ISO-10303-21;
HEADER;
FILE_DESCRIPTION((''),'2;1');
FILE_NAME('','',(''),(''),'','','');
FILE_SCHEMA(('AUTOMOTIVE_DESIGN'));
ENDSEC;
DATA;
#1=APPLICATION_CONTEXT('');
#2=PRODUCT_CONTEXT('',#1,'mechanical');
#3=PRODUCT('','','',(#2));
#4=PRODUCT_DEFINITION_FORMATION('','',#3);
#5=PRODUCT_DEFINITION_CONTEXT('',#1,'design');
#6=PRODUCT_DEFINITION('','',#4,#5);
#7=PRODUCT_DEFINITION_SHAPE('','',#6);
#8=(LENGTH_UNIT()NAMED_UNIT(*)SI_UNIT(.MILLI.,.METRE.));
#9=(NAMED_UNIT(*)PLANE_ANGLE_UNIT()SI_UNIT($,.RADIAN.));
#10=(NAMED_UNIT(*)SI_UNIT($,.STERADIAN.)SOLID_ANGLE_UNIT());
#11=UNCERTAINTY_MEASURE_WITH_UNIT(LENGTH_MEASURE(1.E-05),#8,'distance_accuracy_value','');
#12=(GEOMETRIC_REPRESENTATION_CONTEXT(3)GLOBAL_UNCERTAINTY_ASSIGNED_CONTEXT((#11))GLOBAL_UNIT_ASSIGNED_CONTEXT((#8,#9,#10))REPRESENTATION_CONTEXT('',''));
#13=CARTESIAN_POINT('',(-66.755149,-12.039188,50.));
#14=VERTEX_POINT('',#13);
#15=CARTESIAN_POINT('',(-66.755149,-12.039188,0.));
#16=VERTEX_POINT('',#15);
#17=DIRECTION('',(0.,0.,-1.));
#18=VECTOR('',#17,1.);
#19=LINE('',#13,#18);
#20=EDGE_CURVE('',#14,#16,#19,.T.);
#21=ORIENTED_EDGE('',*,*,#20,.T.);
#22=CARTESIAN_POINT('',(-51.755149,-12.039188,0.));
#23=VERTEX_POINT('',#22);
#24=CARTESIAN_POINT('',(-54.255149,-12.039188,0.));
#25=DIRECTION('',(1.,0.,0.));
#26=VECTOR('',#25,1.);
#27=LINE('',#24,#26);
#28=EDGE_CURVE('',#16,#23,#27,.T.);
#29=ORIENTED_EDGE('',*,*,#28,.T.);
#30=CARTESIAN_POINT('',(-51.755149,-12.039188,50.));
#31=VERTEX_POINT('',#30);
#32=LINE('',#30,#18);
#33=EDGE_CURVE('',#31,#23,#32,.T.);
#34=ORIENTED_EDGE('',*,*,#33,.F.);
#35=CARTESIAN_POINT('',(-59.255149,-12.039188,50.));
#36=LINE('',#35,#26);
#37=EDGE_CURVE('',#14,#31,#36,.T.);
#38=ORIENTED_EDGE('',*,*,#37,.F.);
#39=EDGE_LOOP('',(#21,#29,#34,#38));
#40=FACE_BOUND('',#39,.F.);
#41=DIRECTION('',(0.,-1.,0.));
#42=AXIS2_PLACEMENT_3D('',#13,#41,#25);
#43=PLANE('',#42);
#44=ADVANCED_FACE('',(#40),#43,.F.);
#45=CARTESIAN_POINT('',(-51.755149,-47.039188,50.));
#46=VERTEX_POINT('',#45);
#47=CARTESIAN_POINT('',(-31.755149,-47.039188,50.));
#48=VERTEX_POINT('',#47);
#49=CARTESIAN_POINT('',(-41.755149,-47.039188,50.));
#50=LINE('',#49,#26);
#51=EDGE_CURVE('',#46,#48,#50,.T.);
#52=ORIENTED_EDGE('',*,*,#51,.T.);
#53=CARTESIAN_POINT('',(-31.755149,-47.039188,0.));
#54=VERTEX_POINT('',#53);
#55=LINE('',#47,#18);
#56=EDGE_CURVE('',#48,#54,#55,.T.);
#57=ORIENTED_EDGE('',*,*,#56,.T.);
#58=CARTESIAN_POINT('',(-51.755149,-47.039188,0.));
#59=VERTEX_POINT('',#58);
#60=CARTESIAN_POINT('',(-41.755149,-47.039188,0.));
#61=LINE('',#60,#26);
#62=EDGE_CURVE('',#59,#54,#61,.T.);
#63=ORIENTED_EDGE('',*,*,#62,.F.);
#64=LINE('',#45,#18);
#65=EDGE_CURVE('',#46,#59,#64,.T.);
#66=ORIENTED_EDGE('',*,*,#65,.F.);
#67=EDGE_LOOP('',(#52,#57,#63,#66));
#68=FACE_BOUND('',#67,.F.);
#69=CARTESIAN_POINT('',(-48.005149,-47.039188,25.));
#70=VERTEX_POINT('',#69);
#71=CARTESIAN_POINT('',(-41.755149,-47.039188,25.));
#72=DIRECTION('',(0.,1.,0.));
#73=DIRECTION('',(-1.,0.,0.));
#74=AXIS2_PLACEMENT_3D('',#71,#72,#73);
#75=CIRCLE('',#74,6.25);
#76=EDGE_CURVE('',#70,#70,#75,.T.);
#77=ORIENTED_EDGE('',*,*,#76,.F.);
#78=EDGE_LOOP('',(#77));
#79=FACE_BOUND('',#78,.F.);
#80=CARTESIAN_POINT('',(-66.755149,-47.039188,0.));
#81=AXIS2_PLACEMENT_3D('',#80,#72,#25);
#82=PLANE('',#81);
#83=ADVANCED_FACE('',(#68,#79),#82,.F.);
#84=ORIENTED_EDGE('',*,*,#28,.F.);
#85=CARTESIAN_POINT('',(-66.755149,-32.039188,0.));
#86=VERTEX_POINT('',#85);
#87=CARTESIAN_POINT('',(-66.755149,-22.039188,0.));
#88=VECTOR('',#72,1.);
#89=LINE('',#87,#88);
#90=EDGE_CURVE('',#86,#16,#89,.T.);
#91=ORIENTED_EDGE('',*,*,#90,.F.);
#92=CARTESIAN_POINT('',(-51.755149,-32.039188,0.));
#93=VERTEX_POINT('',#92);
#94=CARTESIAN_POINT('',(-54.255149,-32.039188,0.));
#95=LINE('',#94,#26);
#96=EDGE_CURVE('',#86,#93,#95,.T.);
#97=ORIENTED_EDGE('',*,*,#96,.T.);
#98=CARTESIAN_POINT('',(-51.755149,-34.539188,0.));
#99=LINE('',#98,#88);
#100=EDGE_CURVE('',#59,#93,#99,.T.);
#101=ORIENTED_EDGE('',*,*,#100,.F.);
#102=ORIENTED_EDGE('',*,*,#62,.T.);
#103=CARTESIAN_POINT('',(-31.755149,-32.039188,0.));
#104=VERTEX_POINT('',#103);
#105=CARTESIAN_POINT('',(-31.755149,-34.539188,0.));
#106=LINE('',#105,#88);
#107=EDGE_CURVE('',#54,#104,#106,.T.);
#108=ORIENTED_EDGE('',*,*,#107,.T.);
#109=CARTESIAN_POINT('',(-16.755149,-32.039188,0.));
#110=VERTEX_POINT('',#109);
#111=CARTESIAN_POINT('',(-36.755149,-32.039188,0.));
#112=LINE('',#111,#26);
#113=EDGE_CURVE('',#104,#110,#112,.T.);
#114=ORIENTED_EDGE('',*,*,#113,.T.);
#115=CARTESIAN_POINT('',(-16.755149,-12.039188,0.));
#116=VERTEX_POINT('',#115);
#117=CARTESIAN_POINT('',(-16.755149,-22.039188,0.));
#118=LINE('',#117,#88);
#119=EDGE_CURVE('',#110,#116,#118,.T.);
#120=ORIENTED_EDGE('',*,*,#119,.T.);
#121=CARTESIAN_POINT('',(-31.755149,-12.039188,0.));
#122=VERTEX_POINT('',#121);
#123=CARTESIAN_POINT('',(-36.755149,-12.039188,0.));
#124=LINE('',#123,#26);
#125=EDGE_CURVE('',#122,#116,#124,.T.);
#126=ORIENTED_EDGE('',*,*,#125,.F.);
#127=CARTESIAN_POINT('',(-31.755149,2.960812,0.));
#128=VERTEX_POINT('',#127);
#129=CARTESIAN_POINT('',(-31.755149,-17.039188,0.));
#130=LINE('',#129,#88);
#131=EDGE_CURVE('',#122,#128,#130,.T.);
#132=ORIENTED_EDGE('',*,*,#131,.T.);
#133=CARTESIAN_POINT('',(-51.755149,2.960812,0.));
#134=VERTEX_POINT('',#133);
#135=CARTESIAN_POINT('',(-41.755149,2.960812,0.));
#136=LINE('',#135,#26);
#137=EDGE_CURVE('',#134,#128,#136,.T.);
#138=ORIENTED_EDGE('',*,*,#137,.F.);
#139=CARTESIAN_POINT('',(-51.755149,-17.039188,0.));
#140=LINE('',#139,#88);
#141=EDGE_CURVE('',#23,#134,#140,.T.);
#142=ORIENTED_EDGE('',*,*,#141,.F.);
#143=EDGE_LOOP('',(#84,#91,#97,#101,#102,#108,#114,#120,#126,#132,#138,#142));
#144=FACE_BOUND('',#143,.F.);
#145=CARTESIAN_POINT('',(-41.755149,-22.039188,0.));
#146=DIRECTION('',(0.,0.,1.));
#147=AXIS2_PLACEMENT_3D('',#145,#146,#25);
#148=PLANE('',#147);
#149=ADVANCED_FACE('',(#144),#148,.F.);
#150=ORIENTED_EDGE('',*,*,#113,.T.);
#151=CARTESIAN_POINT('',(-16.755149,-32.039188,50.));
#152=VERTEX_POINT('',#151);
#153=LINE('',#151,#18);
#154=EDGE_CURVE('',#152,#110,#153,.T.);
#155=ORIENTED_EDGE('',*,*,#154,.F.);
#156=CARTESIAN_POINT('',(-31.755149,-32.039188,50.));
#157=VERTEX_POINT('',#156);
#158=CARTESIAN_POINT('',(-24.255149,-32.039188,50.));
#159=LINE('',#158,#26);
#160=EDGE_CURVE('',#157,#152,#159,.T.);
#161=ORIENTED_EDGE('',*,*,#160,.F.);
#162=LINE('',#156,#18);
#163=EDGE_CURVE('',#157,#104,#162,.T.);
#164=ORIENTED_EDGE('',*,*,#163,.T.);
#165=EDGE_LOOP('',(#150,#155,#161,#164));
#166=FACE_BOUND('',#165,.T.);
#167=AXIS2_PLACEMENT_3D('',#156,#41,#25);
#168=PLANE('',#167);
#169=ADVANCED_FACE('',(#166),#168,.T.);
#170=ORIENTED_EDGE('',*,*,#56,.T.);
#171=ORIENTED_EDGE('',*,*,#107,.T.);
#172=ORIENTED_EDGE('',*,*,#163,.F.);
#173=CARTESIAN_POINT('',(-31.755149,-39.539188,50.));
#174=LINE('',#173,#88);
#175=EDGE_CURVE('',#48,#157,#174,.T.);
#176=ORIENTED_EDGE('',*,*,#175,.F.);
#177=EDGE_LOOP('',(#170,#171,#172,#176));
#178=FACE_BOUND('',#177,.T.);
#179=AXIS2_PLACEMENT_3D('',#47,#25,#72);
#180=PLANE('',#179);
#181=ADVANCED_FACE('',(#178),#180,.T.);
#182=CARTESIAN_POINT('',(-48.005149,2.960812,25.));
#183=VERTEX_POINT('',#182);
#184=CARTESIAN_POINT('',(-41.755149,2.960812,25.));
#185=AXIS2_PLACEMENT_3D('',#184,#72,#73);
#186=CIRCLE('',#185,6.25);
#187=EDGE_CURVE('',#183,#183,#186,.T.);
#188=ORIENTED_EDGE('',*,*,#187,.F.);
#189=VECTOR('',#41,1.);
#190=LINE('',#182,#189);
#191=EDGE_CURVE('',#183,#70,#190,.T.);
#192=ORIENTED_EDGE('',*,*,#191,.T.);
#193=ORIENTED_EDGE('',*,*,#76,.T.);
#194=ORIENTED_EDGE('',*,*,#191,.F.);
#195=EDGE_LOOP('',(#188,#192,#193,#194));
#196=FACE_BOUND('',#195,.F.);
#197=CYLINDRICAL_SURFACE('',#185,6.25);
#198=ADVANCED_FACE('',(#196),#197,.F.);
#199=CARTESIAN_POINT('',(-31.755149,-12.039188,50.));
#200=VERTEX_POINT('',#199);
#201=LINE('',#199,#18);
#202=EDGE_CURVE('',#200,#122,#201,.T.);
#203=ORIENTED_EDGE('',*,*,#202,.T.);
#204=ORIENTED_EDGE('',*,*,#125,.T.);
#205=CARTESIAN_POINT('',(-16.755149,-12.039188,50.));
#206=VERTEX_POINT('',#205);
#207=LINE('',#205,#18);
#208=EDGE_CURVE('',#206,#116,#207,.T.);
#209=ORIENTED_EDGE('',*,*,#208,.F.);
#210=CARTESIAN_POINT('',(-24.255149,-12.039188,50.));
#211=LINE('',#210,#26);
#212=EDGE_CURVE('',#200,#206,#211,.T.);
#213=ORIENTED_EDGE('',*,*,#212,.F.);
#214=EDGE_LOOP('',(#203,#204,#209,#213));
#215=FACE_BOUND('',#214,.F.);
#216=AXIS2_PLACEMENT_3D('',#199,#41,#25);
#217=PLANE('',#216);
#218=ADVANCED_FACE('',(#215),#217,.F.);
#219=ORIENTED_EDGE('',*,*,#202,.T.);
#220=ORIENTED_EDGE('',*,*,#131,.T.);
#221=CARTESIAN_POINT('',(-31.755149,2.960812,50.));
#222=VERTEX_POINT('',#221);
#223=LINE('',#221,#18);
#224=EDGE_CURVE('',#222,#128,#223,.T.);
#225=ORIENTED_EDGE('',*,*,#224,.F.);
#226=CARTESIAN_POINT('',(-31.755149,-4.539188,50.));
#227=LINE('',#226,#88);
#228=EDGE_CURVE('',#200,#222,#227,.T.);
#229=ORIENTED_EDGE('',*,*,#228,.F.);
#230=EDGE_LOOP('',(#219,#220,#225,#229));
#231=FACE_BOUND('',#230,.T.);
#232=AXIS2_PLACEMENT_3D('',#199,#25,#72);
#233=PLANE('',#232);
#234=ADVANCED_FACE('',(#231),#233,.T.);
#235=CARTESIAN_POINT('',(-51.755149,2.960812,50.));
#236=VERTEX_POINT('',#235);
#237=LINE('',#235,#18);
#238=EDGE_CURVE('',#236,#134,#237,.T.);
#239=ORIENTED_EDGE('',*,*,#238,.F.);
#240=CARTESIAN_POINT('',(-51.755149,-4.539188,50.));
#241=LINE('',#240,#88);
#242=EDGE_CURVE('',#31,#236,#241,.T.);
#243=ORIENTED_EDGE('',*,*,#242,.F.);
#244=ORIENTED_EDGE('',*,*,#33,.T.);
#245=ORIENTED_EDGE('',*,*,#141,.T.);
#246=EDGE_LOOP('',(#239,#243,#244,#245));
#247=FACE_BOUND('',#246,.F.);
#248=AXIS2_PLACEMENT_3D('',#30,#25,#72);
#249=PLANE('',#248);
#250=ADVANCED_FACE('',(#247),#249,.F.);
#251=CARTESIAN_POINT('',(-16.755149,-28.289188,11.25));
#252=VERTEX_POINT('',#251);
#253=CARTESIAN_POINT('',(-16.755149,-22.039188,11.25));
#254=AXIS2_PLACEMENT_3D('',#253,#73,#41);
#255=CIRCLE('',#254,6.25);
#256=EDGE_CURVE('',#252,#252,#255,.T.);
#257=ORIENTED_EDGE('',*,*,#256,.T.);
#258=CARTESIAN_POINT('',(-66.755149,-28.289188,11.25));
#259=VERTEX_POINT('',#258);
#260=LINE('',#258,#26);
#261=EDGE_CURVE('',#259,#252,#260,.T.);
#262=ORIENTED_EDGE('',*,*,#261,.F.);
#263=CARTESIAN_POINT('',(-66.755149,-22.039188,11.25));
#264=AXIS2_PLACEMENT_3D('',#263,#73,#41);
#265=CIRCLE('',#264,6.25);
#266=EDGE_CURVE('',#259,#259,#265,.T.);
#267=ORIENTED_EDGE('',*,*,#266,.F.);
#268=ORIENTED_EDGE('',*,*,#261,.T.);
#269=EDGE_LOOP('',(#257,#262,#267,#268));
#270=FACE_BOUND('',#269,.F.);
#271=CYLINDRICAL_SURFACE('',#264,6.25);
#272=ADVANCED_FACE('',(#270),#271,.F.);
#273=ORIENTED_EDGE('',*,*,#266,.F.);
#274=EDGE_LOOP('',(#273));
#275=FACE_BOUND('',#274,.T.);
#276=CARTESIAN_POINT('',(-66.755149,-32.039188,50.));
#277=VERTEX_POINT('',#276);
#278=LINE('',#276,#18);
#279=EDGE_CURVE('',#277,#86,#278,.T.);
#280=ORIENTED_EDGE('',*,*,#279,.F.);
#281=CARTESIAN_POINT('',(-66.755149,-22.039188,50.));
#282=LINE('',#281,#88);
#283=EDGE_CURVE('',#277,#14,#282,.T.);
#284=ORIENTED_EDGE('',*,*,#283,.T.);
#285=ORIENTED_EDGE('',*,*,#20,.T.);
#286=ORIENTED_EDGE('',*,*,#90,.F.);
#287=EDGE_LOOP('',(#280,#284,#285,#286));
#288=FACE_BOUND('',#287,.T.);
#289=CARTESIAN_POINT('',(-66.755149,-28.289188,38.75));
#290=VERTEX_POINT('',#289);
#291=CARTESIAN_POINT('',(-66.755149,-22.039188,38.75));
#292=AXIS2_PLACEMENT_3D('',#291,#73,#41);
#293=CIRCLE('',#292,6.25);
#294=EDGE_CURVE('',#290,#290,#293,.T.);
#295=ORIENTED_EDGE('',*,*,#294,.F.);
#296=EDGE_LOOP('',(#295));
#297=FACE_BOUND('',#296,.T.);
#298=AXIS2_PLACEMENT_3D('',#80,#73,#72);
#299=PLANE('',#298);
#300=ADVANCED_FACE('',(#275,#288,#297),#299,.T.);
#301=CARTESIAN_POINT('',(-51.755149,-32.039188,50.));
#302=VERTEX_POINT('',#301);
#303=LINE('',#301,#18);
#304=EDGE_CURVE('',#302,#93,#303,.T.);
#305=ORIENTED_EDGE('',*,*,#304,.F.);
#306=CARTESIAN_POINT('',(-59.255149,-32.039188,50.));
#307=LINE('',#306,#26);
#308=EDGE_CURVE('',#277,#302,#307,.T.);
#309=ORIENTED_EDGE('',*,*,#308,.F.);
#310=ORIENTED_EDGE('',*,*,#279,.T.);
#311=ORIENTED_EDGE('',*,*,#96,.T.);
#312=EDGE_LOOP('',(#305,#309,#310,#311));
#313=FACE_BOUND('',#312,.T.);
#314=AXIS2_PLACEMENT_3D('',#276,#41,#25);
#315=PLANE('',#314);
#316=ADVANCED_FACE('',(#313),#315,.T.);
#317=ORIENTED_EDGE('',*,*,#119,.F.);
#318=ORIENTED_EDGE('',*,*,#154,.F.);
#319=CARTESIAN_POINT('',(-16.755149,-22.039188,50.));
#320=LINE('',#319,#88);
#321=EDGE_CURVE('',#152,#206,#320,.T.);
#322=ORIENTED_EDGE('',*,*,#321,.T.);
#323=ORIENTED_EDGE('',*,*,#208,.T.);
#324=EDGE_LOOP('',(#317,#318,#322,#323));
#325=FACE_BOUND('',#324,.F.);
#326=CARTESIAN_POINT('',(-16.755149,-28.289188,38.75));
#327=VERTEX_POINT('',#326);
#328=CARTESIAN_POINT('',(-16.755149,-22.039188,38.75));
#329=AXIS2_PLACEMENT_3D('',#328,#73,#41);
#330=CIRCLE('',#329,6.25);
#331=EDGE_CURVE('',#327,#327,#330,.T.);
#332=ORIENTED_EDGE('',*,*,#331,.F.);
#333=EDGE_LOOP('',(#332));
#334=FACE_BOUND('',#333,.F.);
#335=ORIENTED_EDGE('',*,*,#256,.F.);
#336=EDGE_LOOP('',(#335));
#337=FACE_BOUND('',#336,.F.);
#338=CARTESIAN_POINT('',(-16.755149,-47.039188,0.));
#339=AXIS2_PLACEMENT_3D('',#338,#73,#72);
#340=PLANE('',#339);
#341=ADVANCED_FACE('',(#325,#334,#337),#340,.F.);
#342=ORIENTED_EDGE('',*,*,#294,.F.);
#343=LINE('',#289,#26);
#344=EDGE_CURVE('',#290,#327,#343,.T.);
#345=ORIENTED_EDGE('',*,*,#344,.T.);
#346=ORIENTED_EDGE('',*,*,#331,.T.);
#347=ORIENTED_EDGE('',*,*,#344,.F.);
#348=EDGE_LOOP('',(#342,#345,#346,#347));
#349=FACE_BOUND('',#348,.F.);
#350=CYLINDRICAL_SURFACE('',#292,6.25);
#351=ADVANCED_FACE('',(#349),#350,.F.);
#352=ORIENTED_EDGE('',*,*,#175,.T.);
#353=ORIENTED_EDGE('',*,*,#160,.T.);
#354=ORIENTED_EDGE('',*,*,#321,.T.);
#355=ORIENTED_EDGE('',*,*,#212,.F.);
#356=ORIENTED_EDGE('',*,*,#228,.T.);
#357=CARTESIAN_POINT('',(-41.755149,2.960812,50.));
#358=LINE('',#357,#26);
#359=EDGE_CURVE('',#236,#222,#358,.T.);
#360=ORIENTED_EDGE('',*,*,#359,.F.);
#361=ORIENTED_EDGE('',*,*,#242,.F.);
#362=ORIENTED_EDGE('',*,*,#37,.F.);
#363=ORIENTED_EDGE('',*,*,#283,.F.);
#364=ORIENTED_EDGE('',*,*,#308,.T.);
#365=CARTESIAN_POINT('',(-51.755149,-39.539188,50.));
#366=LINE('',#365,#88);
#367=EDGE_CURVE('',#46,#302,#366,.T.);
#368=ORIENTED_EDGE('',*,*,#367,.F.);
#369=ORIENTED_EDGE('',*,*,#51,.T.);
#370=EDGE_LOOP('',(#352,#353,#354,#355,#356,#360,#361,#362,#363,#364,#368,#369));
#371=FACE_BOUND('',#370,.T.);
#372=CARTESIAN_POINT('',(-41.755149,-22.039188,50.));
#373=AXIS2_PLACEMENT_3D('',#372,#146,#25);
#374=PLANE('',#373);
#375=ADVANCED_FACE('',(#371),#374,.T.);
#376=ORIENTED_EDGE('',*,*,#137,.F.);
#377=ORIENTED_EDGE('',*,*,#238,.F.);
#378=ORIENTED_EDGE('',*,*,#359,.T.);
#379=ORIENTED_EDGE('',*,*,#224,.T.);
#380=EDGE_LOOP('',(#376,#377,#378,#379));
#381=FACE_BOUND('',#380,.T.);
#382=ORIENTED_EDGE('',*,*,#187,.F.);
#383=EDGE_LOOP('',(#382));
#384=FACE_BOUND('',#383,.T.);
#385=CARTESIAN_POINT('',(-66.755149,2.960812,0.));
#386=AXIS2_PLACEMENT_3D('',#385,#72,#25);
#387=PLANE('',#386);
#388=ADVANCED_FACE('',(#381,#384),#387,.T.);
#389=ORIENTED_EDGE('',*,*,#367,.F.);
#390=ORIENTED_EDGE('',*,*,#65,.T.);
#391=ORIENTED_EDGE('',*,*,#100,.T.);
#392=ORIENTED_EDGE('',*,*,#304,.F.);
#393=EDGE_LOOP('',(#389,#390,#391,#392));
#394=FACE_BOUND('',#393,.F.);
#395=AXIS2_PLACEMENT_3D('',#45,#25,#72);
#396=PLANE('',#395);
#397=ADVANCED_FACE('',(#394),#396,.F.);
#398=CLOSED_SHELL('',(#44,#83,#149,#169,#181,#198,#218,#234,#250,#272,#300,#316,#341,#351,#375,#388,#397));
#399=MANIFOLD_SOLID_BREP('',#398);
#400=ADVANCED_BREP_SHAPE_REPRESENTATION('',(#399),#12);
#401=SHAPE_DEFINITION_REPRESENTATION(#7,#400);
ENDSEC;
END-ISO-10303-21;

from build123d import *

# Parameters (mm, degrees)
F0_W      = 50
F0_H      = 50
F1_DEPTH  = 50
F2_R      = 6.25
F3_DEPTH  = 50.001
F4_R      = 6.25
F5_DEPTH  = 50.001
F6_R      = 6.25
F7_DEPTH  = 50.001
F8_W      = 15
F8_H      = 15
F9_DEPTH  = 50.001
F10_W     = 15
F10_H     = 15
F11_DEPTH = 50.001
F12_W     = 15
F12_H     = 15
F13_DEPTH = 50.001
F14_W     = 15
F14_H     = 15
F15_DEPTH = 50.001


with BuildPart() as f1:
    # F0 (on Top) → F1 (new body)
    with BuildSketch(Plane.XY):
        with Locations((-41.755149, -22.039188)):
            Rectangle(F0_W, F0_H)
    extrude(amount=F1_DEPTH)

    # F2 (on face) → F3 (cut, through all)
    with BuildSketch(Plane(origin=(-66.755149, 0, 0), x_dir=(0, -1, 0), z_dir=(-1, 0, 0))):
        with Locations((22.039188, 38.75)):
            Circle(F2_R)
    extrude(amount=-F3_DEPTH, mode=Mode.SUBTRACT)

    # F4 (on face) → F5 (cut, through all)
    with BuildSketch(Plane(origin=(-66.755149, 0, 0), x_dir=(0, -1, 0), z_dir=(-1, 0, 0))):
        with Locations((22.039188, 11.25)):
            Circle(F4_R)
    extrude(amount=-F5_DEPTH, mode=Mode.SUBTRACT)

    # F6 (on face) → F7 (cut, through all)
    with BuildSketch(Plane(origin=(0, 2.960812, 0), x_dir=(-1, 0, 0), z_dir=(0, 1, 0))):
        with Locations((41.755149, 25)):
            Circle(F6_R)
    extrude(amount=-F7_DEPTH, mode=Mode.SUBTRACT)

    # F8 (on face) → F9 (cut, through all)
    with BuildSketch(Plane.XY.offset(50)):
        with Locations((-59.255149, -39.539188)):
            Rectangle(F8_W, F8_H)
    extrude(amount=-F9_DEPTH, mode=Mode.SUBTRACT)

    # F10 (on face) → F11 (cut, through all)
    with BuildSketch(Plane.XY.offset(50)):
        with Locations((-59.255149, -4.539188)):
            Rectangle(F10_W, F10_H)
    extrude(amount=-F11_DEPTH, mode=Mode.SUBTRACT)

    # F12 (on face) → F13 (cut, through all)
    with BuildSketch(Plane.XY.offset(50)):
        with Locations((-24.255149, -4.539188)):
            Rectangle(F12_W, F12_H)
    extrude(amount=-F13_DEPTH, mode=Mode.SUBTRACT)

    # F14 (on face) → F15 (cut, through all)
    with BuildSketch(Plane.XY.offset(50)):
        with Locations((-24.255149, -39.539188)):
            Rectangle(F14_W, F14_H)
    extrude(amount=-F15_DEPTH, mode=Mode.SUBTRACT)


solid = f1.part
